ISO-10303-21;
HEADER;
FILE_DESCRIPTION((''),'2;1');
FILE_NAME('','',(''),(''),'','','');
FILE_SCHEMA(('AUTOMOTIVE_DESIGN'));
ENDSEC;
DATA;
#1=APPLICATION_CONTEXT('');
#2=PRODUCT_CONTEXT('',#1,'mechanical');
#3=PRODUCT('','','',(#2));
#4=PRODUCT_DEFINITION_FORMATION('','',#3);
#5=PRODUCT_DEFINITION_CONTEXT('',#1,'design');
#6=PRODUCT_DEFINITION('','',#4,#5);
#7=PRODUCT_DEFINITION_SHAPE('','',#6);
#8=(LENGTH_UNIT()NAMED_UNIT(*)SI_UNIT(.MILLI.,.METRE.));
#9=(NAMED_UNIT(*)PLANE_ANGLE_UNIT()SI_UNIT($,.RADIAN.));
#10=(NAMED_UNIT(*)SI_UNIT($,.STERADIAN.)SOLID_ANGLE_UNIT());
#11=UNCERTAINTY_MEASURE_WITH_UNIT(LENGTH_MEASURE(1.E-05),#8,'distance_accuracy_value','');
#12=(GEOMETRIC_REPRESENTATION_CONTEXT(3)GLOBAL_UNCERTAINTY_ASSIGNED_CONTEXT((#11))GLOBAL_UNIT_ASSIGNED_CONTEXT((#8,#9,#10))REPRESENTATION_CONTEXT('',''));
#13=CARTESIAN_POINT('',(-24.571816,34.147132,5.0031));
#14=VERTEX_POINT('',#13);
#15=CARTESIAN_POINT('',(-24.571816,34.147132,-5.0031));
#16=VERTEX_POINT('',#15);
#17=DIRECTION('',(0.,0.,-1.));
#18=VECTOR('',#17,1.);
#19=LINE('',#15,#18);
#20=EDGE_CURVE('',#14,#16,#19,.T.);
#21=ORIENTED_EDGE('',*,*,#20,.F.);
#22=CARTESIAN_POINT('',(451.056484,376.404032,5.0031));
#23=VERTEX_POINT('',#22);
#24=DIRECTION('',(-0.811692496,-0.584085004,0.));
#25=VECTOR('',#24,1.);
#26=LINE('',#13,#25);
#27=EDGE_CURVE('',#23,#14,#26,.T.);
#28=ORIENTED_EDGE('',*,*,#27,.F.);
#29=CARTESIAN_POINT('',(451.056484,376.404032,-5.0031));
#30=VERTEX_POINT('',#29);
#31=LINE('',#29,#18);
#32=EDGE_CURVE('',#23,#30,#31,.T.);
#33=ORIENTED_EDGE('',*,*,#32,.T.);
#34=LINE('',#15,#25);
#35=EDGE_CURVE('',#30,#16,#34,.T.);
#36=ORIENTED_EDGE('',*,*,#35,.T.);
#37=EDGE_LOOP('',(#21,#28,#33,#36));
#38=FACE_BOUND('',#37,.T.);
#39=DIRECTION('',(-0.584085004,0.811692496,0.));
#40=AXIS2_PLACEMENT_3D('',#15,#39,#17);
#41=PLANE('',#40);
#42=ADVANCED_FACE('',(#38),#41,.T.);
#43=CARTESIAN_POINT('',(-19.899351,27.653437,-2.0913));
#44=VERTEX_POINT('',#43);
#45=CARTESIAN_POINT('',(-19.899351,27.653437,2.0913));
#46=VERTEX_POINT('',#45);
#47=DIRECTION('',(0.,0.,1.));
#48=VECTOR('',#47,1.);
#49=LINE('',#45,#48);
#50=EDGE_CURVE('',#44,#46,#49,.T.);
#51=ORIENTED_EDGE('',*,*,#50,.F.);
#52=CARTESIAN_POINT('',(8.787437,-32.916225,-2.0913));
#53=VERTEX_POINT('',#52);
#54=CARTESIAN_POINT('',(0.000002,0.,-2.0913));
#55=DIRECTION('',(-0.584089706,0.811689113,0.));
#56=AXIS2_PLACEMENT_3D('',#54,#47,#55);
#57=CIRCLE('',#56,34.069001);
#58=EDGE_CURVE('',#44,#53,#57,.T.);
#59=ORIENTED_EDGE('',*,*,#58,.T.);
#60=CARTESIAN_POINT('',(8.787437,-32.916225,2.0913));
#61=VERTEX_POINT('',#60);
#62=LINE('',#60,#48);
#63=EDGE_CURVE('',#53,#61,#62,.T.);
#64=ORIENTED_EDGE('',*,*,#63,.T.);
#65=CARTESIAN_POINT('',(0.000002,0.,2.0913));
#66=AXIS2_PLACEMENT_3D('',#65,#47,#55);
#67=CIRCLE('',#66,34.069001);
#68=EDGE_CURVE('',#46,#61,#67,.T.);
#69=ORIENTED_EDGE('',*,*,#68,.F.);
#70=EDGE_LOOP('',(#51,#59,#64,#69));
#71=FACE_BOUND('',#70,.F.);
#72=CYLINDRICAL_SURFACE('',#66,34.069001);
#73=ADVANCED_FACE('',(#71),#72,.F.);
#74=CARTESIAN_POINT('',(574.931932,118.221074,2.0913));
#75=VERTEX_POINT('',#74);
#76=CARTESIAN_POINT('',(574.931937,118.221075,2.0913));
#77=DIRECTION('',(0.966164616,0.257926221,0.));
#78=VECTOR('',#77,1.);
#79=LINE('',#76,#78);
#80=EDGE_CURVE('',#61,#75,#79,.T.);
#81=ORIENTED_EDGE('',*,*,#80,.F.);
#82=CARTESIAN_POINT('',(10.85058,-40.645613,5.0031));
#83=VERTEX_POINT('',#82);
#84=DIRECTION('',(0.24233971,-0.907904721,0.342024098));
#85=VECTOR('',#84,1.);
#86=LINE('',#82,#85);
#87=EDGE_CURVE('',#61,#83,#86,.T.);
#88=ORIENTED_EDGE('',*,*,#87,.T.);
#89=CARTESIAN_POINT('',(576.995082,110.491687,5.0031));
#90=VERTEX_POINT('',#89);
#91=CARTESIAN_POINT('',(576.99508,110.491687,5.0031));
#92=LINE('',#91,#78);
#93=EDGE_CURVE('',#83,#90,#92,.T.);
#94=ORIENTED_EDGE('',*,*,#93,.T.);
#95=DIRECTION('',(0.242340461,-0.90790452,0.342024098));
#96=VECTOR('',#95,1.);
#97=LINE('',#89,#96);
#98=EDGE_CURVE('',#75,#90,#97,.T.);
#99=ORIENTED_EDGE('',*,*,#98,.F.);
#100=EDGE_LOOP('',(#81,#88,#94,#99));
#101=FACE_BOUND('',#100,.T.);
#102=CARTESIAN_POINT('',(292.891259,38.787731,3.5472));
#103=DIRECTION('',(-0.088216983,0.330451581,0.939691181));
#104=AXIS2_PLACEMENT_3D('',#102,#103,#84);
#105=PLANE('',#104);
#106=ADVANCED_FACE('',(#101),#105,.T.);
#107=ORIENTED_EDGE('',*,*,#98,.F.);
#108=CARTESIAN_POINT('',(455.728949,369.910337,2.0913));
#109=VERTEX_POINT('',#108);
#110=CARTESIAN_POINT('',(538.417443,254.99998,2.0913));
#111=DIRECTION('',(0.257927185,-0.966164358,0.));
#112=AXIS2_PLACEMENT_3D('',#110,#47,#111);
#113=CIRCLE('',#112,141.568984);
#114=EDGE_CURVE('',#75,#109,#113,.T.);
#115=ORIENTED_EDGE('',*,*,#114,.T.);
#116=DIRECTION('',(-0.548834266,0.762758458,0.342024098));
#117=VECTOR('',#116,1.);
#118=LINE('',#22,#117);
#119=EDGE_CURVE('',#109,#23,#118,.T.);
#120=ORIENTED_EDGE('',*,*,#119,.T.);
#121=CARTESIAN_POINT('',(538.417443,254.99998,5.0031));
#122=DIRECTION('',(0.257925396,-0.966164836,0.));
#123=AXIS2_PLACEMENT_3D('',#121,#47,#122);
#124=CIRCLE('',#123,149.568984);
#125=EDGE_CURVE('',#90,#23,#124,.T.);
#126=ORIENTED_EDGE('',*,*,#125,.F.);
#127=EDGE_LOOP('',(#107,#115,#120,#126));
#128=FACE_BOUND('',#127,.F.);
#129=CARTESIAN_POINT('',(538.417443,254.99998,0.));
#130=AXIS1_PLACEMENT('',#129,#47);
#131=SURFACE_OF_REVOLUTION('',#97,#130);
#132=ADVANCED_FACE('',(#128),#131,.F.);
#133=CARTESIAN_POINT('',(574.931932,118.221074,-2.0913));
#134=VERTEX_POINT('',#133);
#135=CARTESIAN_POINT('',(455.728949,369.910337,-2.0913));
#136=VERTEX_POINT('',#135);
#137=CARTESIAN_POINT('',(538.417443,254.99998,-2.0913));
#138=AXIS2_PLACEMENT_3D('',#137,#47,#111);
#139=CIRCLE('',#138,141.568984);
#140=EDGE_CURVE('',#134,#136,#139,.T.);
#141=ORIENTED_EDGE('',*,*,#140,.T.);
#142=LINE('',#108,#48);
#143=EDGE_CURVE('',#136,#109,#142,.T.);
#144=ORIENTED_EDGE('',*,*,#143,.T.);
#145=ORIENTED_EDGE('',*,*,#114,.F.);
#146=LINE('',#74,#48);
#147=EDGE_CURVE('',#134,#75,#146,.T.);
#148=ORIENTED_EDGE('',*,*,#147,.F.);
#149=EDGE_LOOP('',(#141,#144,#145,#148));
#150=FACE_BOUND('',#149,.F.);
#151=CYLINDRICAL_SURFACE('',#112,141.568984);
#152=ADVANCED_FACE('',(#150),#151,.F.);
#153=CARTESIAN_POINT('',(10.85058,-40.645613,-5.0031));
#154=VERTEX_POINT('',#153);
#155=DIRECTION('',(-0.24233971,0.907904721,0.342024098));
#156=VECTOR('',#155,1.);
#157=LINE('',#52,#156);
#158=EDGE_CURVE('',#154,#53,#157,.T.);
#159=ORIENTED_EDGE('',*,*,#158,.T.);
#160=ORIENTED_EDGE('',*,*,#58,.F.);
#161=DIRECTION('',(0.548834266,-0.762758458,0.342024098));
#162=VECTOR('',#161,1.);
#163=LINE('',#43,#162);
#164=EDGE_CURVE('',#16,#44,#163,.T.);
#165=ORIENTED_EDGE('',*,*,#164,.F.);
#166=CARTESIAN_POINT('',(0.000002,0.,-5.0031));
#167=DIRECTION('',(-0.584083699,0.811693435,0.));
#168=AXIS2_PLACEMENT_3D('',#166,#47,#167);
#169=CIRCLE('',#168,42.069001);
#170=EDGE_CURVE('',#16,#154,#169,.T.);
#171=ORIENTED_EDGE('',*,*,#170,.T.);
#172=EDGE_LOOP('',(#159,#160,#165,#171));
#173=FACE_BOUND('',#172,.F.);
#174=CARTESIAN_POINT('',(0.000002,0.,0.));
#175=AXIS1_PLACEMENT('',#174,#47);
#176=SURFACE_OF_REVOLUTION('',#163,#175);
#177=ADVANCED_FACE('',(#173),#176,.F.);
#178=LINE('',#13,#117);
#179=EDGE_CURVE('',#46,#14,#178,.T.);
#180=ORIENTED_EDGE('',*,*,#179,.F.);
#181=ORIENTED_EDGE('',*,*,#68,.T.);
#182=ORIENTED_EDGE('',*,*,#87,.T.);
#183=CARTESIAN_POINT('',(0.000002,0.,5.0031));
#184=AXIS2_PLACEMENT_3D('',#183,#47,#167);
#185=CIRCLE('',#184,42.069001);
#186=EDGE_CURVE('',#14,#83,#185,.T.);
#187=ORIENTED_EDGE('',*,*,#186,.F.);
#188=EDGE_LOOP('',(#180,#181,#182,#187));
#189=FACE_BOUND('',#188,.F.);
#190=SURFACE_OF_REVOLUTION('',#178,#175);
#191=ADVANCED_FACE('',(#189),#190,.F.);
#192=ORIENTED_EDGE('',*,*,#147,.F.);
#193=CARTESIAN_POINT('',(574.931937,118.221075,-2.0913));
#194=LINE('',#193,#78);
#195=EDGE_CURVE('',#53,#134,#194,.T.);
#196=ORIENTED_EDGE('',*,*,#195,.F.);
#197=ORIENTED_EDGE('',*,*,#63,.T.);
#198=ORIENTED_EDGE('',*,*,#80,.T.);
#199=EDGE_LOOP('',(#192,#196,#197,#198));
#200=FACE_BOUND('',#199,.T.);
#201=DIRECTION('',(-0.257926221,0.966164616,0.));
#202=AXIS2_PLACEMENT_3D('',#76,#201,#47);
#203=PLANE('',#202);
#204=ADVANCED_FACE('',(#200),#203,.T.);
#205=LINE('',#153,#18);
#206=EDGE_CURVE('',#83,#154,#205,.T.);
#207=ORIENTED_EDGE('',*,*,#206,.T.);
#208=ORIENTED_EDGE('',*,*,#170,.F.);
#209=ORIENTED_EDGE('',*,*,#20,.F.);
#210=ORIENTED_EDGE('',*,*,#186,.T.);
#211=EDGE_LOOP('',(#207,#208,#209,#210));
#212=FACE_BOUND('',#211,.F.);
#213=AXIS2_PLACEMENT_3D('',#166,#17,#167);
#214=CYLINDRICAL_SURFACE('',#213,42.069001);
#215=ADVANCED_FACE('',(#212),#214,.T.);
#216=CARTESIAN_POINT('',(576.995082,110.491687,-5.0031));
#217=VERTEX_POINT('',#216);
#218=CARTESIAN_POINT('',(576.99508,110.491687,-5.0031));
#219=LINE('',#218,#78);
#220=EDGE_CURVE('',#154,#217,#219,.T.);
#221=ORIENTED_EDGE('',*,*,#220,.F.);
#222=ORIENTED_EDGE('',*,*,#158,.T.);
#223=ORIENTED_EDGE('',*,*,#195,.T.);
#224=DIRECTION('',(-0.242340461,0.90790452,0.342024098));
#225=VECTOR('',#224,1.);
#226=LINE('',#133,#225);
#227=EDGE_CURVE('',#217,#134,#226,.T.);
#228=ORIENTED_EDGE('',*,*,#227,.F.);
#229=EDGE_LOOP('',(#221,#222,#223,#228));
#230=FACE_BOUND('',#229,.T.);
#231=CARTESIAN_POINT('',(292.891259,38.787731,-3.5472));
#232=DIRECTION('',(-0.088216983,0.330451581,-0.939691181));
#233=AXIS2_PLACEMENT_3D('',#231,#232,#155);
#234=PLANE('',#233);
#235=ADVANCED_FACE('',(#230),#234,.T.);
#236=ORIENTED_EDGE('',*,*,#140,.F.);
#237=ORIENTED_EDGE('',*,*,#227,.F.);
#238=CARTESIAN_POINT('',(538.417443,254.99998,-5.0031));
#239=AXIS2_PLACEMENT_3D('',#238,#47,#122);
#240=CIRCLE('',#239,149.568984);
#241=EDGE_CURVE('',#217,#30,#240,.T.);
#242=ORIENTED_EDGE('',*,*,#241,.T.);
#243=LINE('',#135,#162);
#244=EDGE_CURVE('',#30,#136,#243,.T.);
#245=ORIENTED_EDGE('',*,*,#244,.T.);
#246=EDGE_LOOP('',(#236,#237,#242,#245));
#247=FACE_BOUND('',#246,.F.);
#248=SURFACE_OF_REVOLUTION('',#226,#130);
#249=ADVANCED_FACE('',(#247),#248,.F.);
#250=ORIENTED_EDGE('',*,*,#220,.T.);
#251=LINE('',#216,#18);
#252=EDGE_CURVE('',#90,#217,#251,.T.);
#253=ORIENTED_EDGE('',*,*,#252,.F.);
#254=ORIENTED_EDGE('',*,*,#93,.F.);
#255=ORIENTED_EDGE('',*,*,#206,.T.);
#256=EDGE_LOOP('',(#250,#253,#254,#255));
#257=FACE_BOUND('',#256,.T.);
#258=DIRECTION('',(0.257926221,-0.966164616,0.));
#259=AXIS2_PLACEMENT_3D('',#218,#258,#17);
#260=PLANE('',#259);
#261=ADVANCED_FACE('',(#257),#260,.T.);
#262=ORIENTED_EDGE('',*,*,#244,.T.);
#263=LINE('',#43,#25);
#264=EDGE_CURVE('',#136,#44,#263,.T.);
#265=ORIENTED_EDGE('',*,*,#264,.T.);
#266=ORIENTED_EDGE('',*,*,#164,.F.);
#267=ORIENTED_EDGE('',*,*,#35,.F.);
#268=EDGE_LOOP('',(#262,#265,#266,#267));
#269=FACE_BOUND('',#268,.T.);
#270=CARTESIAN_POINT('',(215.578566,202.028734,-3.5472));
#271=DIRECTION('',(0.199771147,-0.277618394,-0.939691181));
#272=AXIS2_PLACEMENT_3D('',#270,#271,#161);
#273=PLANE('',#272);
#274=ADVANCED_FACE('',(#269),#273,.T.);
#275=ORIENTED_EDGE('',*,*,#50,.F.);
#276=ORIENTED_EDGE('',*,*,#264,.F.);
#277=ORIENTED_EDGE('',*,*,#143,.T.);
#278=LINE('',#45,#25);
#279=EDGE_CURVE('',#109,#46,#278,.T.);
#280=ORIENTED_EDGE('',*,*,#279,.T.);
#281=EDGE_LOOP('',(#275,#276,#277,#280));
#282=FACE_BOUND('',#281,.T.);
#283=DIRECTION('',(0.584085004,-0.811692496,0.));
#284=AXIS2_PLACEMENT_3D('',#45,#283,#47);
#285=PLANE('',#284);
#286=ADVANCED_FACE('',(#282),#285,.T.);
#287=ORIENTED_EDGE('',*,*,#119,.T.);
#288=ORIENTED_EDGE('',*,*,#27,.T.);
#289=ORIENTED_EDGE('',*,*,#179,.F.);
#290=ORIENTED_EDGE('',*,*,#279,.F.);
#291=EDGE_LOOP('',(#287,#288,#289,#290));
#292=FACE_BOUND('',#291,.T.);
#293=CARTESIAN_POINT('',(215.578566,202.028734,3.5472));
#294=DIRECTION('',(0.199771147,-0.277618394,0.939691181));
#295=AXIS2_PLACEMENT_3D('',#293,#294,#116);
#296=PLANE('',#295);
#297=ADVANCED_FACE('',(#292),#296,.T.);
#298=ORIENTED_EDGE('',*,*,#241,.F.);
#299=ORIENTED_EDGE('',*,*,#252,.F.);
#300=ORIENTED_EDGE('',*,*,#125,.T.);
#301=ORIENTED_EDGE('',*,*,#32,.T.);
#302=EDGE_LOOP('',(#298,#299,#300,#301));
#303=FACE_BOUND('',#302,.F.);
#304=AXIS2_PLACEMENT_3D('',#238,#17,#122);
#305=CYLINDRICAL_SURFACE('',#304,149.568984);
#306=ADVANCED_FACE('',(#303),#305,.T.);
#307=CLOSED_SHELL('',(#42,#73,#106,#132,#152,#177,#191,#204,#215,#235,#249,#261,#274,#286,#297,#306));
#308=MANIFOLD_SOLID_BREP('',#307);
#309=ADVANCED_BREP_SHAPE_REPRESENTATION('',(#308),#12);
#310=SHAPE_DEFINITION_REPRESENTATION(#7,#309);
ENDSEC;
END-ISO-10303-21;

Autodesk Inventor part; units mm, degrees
ref_plane "YZ Plane" through (0, 0, 0) normal (1, 0, 0) x (0, 1, 0)
ref_plane "XZ Plane" through (0, 0, 0) normal (0, 1, 0) x (-1, 0, 0)
sketch "Trayectoria de boceto" plane through (0, 0, 0) normal (0, 0, 1) x (1, 0, 0)
  arc A0 (-23.3634, 32.4677) -> (10.317, -38.6466) centre (0, 0) ccw
  arc A1 (576.4615, 112.4907) -> (452.2649, 374.7246) centre (538.4174, 255) ccw
  line L0 (576.4615, 112.4907) -> (10.317, -38.6466)
  line L1 (-23.3634, 32.4677) -> (452.2649, 374.7246)
ref_plane "Plano de sección transversal" through (10.317, -38.6466, 0) normal (0.9662, 0.2579, 0) x (0, 0, 1)
sketch "Sección transversal" plane through (10.317, -38.6466, 0) normal (0.9662, 0.2579, 0) x (0, 0, 1)
  line L0 (0, 2.069) -> (0, -5.931) construction
  line L1 (-4.25, 0) -> (4.25, 0) construction
  line L2 (-5.0031, 2.069) -> (5.0031, 2.069)
  line L3 (5.0031, 2.069) -> (2.0913, -5.931)
  line L4 (2.0913, -5.931) -> (-2.0913, -5.931)
  line L5 (-2.0913, -5.931) -> (-5.0031, 2.069)
  point P0 (0, 0)
  point P1 (0, 0)
  point P2 (0, 0)
  dimension "d0" = 8.5
  dimension "d1" = 2.069
  dimension "d2" = 40
  dimension "d3" = 8
sweep "Correa" add profiles "Sección transversal" path "Trayectoria de boceto"
equation "\"d0\" = da_Bw"
equation "\"d1\" = da_Hw"
equation "\"d2\" = da_Alfa"
equation "\"d3\" = da_H"
equation "\"da_Alfa\" = 40deg"
equation "\"da_H\" = 8"
equation "\"da_Bw\" = 8.5"
equation "\"da_Hw\" = 2.06901"
properties part number "Correa trapezoidal" material "Rubber"
